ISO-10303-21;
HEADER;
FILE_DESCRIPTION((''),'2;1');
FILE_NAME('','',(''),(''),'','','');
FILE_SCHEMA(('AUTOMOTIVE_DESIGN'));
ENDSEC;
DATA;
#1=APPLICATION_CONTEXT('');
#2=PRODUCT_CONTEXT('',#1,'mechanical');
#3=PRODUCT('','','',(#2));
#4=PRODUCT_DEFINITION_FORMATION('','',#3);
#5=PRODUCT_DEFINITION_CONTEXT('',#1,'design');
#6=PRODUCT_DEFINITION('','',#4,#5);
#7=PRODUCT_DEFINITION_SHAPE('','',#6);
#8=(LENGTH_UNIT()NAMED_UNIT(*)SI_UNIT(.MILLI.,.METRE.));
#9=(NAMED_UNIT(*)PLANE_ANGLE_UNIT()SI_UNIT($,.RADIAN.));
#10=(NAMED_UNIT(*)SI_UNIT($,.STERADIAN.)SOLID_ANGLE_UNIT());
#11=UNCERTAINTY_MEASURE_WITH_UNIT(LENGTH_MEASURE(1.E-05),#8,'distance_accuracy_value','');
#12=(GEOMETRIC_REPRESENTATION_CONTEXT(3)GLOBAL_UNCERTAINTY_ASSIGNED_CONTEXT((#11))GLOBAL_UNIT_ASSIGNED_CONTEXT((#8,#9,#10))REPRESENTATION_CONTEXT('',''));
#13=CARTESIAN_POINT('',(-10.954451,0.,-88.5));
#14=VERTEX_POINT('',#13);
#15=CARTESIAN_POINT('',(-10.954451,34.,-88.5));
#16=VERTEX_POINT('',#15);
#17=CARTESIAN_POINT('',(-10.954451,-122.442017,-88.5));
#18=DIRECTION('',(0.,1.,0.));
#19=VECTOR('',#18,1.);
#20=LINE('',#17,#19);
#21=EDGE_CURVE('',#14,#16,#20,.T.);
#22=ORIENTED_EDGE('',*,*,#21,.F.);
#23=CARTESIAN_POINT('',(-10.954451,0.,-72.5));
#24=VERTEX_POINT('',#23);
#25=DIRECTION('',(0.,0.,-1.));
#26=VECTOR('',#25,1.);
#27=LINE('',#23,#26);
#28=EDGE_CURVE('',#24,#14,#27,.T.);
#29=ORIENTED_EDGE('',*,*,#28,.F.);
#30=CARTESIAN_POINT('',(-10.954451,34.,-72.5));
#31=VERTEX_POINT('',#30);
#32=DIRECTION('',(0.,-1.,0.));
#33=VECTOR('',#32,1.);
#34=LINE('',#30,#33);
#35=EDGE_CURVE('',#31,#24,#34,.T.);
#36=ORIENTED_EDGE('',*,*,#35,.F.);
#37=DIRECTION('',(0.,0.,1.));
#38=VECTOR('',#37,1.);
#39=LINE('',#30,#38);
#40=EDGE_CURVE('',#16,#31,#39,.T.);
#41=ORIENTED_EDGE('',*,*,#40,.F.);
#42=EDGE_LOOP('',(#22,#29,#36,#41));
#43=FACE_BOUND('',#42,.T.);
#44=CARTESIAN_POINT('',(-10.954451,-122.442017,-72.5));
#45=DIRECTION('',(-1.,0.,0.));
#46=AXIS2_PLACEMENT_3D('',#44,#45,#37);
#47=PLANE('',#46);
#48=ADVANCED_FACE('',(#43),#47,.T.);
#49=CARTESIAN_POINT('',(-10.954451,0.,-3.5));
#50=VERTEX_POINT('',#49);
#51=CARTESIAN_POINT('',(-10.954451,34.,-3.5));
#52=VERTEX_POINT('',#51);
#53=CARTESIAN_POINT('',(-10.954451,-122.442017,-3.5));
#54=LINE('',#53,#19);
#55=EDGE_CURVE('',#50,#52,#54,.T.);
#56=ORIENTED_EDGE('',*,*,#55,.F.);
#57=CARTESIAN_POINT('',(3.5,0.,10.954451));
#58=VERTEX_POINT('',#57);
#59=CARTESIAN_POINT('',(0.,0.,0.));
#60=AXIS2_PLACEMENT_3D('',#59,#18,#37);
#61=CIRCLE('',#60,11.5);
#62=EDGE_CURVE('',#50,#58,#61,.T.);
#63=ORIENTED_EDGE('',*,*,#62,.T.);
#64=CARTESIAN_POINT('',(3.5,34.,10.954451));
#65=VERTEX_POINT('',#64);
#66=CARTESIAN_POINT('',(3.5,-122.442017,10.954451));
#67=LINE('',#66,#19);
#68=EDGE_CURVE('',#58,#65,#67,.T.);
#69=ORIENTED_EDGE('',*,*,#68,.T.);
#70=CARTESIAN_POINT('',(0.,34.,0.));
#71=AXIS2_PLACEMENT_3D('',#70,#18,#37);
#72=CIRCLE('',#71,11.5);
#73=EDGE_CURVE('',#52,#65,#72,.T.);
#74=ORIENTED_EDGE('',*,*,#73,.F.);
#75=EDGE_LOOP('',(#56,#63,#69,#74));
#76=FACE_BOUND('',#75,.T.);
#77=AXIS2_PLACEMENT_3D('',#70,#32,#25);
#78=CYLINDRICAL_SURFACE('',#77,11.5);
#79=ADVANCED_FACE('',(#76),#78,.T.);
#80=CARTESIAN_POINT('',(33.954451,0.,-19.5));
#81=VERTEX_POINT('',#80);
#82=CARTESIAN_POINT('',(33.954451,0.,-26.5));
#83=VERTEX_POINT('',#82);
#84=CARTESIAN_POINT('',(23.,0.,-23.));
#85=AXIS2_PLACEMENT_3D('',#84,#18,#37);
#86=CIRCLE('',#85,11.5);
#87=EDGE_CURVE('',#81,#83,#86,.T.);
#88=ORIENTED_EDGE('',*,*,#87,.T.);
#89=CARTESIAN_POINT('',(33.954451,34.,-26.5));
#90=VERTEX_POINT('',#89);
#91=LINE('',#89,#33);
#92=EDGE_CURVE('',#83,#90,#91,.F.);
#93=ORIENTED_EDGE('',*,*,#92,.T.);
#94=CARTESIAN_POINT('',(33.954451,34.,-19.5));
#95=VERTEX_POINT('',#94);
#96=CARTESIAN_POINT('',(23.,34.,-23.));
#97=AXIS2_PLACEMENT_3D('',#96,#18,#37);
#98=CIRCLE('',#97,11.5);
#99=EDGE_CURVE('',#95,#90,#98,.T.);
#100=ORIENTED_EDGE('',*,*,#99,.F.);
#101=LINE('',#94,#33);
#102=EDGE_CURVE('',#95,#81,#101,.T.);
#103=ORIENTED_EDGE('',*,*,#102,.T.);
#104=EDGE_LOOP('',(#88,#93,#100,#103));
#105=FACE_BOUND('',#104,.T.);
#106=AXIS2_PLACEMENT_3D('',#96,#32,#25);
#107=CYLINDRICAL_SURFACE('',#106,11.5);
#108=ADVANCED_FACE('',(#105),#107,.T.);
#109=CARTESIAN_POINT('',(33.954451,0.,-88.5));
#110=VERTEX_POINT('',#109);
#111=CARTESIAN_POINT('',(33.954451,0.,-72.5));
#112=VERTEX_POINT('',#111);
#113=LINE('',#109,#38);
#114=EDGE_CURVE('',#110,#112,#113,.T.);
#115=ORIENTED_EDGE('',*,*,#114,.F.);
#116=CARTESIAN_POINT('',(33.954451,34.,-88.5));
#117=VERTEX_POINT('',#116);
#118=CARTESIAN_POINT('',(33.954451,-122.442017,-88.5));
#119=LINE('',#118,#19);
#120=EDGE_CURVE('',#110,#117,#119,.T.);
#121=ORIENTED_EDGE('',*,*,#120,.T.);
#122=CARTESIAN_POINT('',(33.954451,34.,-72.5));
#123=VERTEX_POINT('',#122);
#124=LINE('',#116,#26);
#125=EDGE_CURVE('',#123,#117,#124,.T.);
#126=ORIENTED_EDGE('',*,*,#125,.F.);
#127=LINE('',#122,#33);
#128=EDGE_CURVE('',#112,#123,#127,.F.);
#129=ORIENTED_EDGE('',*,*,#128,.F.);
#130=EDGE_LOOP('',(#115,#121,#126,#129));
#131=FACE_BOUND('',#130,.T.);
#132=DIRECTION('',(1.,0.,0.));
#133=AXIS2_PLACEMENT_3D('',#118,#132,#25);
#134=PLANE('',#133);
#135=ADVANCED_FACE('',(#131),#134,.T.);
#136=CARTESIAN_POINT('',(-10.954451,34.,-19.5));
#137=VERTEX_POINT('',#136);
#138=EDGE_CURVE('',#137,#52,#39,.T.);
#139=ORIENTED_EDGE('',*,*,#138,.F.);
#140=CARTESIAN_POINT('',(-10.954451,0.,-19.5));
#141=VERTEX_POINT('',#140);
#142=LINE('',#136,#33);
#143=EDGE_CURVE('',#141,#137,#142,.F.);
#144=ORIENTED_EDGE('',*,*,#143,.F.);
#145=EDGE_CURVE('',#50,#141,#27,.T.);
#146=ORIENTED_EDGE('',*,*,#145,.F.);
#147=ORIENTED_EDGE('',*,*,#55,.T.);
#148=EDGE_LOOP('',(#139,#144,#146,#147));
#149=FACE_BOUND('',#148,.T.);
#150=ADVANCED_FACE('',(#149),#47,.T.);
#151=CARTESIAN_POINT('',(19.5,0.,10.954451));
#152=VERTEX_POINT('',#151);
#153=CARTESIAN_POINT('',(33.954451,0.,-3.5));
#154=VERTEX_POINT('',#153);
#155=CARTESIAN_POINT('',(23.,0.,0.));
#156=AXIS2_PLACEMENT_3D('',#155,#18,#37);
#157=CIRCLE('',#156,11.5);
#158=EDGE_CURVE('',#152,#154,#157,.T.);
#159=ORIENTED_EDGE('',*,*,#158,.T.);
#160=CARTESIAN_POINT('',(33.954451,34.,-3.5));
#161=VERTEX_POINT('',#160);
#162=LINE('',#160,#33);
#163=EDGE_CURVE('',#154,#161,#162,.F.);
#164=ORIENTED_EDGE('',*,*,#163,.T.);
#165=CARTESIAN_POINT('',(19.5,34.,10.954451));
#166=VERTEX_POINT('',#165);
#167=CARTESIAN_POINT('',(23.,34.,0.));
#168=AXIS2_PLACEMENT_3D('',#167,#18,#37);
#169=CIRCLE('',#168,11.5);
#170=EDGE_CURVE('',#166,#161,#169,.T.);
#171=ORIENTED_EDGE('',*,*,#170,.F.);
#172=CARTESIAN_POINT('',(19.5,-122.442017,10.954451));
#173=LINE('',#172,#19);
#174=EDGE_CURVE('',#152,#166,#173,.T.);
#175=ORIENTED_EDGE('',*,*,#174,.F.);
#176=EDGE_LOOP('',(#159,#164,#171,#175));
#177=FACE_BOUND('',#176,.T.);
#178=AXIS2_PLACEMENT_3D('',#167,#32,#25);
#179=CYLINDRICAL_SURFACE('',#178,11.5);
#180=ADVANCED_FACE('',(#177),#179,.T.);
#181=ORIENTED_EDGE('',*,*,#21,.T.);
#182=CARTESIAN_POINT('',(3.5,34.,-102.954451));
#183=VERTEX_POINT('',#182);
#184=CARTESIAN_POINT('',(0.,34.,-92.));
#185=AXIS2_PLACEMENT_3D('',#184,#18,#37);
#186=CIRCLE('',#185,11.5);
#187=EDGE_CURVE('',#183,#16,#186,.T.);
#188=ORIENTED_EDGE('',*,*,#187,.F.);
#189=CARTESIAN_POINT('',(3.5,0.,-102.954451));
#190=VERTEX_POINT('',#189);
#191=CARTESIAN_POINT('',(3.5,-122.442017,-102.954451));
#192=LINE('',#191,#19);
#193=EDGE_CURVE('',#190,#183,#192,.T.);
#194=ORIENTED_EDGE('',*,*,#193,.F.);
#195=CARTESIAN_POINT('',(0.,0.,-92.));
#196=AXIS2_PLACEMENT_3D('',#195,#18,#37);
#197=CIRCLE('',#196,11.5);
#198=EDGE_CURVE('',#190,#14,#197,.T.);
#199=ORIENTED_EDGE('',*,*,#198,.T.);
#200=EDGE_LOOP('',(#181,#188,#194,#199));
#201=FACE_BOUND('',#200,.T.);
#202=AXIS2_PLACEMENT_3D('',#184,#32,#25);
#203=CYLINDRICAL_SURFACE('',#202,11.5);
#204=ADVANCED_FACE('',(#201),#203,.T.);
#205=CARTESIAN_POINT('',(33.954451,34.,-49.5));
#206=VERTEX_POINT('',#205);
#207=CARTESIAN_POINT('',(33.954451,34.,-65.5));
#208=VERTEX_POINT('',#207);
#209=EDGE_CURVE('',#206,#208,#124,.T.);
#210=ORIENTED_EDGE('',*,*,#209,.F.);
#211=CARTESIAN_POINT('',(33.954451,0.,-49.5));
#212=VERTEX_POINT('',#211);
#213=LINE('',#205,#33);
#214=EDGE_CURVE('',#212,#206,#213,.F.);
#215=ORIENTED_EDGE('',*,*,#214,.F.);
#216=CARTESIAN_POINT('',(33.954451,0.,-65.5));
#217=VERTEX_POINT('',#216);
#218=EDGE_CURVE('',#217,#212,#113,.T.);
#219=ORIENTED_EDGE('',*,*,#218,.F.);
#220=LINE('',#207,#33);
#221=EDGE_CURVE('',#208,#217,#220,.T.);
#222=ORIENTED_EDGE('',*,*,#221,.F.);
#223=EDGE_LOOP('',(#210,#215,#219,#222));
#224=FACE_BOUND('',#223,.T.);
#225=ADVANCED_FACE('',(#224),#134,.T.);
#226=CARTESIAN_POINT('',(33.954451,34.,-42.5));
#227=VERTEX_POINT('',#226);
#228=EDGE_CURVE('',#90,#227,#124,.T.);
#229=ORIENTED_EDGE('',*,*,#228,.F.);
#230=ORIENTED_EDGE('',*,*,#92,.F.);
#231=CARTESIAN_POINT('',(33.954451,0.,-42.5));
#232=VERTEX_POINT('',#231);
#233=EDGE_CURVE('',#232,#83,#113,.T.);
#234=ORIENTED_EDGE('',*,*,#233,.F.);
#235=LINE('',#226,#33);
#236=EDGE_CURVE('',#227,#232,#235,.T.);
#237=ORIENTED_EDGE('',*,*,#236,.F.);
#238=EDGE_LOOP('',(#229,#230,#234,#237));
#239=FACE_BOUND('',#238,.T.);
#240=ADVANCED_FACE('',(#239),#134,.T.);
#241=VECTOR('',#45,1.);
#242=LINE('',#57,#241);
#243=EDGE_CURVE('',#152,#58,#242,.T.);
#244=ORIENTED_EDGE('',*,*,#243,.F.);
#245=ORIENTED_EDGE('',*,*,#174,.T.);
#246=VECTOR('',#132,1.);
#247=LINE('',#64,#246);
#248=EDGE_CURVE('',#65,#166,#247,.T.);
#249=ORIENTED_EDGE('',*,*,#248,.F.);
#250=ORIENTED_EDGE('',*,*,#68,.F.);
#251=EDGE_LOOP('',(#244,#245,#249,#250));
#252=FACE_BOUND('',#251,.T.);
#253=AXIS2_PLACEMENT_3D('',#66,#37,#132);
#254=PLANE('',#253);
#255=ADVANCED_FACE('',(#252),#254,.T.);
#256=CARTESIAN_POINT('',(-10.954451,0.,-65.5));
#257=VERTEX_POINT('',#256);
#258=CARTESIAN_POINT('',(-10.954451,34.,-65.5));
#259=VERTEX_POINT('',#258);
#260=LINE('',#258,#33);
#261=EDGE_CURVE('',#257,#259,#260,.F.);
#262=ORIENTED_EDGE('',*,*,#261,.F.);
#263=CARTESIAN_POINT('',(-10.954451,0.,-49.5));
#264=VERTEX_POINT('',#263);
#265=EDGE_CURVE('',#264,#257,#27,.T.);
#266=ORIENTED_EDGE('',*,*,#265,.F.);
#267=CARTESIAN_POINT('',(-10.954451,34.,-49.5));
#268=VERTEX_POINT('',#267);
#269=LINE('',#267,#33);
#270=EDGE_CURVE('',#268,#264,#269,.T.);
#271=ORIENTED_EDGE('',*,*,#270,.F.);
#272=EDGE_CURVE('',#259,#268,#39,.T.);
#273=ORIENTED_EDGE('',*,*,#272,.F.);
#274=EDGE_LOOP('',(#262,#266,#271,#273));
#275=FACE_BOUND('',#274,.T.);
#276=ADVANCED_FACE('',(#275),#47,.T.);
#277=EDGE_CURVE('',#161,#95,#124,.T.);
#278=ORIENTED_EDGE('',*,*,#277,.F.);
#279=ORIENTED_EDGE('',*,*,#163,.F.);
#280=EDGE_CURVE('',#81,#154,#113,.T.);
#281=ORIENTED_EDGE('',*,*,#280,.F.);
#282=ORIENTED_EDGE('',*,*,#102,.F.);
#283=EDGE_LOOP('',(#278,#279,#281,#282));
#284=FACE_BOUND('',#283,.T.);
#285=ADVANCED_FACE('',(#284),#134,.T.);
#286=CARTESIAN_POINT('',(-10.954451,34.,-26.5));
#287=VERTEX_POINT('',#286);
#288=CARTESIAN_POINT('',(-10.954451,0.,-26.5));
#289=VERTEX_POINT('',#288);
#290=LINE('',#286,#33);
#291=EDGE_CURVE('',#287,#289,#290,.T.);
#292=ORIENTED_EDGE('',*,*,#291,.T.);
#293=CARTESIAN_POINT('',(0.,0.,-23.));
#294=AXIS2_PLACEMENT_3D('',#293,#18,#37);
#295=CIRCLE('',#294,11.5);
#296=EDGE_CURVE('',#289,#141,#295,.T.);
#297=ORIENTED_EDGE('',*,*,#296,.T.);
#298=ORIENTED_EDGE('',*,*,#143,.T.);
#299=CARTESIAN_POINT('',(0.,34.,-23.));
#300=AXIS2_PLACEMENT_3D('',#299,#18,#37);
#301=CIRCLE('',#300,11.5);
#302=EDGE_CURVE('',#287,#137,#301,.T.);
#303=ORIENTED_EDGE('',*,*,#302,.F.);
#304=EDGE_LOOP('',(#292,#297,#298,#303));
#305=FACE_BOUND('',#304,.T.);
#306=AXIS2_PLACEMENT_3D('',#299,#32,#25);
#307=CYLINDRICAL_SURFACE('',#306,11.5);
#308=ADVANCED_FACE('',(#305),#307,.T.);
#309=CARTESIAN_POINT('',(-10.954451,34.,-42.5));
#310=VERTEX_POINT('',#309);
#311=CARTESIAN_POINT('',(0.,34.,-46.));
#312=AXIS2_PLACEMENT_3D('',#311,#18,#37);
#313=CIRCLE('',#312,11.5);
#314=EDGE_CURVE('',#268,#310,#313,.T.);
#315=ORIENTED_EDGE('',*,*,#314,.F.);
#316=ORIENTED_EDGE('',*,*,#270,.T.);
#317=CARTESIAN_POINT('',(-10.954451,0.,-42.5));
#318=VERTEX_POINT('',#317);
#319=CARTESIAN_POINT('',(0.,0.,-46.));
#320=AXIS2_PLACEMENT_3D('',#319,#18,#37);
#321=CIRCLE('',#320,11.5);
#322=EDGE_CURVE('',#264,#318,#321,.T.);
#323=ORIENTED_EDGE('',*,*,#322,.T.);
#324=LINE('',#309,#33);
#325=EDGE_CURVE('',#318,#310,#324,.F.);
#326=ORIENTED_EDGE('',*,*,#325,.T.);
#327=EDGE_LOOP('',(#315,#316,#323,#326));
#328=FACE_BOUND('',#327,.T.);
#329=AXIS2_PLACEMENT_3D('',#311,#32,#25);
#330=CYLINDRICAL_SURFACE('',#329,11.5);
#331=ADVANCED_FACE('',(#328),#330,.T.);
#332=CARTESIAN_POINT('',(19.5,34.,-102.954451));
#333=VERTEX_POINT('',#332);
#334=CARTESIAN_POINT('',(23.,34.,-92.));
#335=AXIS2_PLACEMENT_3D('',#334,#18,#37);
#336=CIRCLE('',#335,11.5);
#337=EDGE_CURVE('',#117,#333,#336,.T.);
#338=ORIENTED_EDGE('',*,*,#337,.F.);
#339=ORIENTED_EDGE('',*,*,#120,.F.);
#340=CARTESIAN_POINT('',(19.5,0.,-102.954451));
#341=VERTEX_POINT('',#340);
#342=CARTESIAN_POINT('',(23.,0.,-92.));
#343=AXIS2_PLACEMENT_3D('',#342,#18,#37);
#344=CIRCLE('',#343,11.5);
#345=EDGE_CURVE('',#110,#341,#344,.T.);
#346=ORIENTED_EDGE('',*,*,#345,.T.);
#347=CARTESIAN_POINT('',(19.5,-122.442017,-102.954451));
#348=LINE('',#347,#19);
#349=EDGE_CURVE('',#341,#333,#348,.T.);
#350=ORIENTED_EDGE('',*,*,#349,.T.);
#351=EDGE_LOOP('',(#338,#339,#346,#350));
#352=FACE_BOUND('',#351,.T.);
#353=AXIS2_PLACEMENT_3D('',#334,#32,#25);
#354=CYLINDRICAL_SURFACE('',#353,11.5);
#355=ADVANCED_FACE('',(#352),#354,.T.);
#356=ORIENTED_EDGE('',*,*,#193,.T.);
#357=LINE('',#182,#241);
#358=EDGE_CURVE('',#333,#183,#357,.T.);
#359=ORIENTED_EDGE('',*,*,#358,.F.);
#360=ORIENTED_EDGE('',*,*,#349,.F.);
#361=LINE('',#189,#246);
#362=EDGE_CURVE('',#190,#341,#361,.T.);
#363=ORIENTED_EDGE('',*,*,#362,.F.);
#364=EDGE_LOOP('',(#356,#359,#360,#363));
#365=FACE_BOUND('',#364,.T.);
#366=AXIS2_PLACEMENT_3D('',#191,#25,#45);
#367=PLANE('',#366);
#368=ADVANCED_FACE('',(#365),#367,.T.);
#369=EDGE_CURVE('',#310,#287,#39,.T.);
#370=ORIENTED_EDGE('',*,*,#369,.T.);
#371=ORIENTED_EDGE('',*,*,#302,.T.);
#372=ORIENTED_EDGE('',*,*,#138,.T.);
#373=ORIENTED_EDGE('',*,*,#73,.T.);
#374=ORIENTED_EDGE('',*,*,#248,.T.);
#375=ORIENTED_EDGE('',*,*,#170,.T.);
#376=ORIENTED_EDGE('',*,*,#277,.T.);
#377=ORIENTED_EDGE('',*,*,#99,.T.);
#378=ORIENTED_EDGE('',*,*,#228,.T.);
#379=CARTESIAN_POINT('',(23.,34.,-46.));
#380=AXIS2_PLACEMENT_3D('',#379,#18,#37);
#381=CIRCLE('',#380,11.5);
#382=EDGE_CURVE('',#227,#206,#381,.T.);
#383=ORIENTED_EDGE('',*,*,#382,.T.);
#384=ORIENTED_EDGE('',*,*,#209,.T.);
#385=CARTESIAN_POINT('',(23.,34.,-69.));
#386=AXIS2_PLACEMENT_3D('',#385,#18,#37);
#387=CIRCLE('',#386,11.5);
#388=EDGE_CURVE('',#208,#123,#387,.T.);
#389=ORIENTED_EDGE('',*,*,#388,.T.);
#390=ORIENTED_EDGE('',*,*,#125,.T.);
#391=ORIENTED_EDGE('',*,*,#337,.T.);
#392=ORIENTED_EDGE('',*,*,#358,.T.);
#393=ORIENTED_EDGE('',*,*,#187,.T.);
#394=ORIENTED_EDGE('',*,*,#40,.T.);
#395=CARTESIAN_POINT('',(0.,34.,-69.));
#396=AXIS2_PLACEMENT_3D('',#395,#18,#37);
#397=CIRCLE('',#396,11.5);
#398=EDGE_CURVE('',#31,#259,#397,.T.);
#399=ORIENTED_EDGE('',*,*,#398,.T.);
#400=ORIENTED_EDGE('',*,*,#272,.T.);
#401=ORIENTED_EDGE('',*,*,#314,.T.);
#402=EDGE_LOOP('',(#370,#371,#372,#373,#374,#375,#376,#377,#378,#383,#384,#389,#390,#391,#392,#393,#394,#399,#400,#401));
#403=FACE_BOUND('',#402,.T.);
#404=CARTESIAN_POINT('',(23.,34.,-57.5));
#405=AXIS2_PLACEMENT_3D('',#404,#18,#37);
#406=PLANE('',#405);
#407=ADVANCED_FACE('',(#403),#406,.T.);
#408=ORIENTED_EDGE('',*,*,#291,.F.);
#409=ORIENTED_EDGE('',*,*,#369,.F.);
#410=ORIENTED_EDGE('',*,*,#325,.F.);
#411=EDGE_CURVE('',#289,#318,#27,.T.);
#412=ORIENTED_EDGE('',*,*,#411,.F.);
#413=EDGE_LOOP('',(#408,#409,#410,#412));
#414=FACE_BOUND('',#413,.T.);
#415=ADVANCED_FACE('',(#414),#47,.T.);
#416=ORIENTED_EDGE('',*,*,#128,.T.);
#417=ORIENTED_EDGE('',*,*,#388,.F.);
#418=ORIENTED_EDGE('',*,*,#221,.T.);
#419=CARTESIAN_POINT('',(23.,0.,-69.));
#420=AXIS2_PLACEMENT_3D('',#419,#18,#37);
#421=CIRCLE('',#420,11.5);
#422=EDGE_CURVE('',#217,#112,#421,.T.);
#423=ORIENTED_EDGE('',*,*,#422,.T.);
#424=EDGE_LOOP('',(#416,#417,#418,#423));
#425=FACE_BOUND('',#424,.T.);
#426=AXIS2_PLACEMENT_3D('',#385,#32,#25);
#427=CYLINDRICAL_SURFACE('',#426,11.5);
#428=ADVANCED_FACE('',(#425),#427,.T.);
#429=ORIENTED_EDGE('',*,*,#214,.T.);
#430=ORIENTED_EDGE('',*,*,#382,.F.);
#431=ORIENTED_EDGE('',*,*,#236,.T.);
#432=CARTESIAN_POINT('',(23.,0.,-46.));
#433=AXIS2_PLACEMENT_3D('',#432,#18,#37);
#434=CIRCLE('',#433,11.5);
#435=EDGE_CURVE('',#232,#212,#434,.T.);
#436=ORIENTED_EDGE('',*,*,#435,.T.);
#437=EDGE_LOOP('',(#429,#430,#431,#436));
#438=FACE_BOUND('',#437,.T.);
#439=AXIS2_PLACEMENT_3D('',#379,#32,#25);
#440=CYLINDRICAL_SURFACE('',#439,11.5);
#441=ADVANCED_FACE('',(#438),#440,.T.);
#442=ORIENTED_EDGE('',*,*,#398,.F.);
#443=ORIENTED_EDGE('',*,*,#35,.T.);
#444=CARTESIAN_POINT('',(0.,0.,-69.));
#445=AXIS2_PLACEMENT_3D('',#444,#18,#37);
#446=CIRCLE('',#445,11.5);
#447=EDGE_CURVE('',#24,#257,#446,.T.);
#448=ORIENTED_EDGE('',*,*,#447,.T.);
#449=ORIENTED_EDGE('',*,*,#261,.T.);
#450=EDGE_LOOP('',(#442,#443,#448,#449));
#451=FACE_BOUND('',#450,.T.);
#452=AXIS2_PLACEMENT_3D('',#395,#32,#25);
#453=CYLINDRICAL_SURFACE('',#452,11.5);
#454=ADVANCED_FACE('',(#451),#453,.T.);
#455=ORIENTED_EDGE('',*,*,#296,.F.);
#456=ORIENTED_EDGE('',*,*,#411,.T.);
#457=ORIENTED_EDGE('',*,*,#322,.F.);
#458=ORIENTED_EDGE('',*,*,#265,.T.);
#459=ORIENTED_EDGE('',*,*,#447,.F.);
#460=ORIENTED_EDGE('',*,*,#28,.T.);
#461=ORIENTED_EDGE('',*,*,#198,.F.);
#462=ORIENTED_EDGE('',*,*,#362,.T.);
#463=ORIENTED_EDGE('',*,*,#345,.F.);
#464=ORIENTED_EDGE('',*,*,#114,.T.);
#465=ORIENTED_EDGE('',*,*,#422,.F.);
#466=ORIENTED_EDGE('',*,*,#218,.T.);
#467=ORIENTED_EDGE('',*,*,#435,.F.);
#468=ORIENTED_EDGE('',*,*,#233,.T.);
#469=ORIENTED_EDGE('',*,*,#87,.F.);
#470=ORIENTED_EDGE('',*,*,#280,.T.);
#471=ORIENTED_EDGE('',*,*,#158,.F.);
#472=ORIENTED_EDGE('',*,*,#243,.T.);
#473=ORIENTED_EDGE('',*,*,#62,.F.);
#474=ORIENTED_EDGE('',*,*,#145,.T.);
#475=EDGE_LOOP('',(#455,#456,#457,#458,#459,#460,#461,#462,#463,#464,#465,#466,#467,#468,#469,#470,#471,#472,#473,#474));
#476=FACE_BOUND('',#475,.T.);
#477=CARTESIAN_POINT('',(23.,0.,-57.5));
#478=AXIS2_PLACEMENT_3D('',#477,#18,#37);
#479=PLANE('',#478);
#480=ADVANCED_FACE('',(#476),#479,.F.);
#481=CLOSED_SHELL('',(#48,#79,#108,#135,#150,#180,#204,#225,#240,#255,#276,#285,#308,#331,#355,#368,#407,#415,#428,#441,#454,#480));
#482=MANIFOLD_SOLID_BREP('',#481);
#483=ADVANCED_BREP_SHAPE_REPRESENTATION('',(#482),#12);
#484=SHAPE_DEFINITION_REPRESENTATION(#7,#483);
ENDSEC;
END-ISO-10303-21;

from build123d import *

# Parameters (mm, degrees)
BOSS_EXTRUDE1_DEPTH = 34
BOSS_EXTRUDE2_DEPTH = 34


with BuildPart() as part:
    # Sketch1 → Boss-Extrude1 (new body)
    with BuildSketch(Plane(origin=(0, 0, 0), x_dir=(1, 0, 0), z_dir=(0, 1, 0))):
        with BuildLine():
            ThreePointArc((0, 11.5), (-8.131727984, -8.131727984), (11.5, 0))
            ThreePointArc((11.5, 0), (31.131727984, -8.131727984), (23, 11.5))
            ThreePointArc((23, 11.5), (34.5, 23), (23, 34.5))
            ThreePointArc((23, 34.5), (34.5, 46), (23, 57.5))
            ThreePointArc((23, 57.5), (34.5, 69), (23, 80.5))
            ThreePointArc((23, 80.5), (31.131727984, 100.131727984), (11.5, 92))
            ThreePointArc((11.5, 92), (-8.131727984, 100.131727984), (0, 80.5))
            ThreePointArc((0, 80.5), (-11.5, 69), (0, 57.5))
            ThreePointArc((0, 57.5), (-11.5, 46), (0, 34.5))
            ThreePointArc((0, 34.5), (-11.5, 23), (0, 11.5))
        make_face()
    extrude(amount=BOSS_EXTRUDE1_DEPTH)

    # Sketch2 → Boss-Extrude2 (add)
    with BuildSketch(Plane(origin=(0, 34, 0), x_dir=(1, 0, 0), z_dir=(0, 1, 0))):
        Polygon((-10.95445115, 88.5), (-10.95445115, 72.5), (-10.95445115, 3.5), (3.5, -10.95445115), (19.5, -10.95445115), (33.95445115, -3.5), (33.95445115, 88.5), (19.5, 102.95445115), (3.5, 102.95445115), align=None)
    extrude(amount=-BOSS_EXTRUDE2_DEPTH)


solid = part.part
